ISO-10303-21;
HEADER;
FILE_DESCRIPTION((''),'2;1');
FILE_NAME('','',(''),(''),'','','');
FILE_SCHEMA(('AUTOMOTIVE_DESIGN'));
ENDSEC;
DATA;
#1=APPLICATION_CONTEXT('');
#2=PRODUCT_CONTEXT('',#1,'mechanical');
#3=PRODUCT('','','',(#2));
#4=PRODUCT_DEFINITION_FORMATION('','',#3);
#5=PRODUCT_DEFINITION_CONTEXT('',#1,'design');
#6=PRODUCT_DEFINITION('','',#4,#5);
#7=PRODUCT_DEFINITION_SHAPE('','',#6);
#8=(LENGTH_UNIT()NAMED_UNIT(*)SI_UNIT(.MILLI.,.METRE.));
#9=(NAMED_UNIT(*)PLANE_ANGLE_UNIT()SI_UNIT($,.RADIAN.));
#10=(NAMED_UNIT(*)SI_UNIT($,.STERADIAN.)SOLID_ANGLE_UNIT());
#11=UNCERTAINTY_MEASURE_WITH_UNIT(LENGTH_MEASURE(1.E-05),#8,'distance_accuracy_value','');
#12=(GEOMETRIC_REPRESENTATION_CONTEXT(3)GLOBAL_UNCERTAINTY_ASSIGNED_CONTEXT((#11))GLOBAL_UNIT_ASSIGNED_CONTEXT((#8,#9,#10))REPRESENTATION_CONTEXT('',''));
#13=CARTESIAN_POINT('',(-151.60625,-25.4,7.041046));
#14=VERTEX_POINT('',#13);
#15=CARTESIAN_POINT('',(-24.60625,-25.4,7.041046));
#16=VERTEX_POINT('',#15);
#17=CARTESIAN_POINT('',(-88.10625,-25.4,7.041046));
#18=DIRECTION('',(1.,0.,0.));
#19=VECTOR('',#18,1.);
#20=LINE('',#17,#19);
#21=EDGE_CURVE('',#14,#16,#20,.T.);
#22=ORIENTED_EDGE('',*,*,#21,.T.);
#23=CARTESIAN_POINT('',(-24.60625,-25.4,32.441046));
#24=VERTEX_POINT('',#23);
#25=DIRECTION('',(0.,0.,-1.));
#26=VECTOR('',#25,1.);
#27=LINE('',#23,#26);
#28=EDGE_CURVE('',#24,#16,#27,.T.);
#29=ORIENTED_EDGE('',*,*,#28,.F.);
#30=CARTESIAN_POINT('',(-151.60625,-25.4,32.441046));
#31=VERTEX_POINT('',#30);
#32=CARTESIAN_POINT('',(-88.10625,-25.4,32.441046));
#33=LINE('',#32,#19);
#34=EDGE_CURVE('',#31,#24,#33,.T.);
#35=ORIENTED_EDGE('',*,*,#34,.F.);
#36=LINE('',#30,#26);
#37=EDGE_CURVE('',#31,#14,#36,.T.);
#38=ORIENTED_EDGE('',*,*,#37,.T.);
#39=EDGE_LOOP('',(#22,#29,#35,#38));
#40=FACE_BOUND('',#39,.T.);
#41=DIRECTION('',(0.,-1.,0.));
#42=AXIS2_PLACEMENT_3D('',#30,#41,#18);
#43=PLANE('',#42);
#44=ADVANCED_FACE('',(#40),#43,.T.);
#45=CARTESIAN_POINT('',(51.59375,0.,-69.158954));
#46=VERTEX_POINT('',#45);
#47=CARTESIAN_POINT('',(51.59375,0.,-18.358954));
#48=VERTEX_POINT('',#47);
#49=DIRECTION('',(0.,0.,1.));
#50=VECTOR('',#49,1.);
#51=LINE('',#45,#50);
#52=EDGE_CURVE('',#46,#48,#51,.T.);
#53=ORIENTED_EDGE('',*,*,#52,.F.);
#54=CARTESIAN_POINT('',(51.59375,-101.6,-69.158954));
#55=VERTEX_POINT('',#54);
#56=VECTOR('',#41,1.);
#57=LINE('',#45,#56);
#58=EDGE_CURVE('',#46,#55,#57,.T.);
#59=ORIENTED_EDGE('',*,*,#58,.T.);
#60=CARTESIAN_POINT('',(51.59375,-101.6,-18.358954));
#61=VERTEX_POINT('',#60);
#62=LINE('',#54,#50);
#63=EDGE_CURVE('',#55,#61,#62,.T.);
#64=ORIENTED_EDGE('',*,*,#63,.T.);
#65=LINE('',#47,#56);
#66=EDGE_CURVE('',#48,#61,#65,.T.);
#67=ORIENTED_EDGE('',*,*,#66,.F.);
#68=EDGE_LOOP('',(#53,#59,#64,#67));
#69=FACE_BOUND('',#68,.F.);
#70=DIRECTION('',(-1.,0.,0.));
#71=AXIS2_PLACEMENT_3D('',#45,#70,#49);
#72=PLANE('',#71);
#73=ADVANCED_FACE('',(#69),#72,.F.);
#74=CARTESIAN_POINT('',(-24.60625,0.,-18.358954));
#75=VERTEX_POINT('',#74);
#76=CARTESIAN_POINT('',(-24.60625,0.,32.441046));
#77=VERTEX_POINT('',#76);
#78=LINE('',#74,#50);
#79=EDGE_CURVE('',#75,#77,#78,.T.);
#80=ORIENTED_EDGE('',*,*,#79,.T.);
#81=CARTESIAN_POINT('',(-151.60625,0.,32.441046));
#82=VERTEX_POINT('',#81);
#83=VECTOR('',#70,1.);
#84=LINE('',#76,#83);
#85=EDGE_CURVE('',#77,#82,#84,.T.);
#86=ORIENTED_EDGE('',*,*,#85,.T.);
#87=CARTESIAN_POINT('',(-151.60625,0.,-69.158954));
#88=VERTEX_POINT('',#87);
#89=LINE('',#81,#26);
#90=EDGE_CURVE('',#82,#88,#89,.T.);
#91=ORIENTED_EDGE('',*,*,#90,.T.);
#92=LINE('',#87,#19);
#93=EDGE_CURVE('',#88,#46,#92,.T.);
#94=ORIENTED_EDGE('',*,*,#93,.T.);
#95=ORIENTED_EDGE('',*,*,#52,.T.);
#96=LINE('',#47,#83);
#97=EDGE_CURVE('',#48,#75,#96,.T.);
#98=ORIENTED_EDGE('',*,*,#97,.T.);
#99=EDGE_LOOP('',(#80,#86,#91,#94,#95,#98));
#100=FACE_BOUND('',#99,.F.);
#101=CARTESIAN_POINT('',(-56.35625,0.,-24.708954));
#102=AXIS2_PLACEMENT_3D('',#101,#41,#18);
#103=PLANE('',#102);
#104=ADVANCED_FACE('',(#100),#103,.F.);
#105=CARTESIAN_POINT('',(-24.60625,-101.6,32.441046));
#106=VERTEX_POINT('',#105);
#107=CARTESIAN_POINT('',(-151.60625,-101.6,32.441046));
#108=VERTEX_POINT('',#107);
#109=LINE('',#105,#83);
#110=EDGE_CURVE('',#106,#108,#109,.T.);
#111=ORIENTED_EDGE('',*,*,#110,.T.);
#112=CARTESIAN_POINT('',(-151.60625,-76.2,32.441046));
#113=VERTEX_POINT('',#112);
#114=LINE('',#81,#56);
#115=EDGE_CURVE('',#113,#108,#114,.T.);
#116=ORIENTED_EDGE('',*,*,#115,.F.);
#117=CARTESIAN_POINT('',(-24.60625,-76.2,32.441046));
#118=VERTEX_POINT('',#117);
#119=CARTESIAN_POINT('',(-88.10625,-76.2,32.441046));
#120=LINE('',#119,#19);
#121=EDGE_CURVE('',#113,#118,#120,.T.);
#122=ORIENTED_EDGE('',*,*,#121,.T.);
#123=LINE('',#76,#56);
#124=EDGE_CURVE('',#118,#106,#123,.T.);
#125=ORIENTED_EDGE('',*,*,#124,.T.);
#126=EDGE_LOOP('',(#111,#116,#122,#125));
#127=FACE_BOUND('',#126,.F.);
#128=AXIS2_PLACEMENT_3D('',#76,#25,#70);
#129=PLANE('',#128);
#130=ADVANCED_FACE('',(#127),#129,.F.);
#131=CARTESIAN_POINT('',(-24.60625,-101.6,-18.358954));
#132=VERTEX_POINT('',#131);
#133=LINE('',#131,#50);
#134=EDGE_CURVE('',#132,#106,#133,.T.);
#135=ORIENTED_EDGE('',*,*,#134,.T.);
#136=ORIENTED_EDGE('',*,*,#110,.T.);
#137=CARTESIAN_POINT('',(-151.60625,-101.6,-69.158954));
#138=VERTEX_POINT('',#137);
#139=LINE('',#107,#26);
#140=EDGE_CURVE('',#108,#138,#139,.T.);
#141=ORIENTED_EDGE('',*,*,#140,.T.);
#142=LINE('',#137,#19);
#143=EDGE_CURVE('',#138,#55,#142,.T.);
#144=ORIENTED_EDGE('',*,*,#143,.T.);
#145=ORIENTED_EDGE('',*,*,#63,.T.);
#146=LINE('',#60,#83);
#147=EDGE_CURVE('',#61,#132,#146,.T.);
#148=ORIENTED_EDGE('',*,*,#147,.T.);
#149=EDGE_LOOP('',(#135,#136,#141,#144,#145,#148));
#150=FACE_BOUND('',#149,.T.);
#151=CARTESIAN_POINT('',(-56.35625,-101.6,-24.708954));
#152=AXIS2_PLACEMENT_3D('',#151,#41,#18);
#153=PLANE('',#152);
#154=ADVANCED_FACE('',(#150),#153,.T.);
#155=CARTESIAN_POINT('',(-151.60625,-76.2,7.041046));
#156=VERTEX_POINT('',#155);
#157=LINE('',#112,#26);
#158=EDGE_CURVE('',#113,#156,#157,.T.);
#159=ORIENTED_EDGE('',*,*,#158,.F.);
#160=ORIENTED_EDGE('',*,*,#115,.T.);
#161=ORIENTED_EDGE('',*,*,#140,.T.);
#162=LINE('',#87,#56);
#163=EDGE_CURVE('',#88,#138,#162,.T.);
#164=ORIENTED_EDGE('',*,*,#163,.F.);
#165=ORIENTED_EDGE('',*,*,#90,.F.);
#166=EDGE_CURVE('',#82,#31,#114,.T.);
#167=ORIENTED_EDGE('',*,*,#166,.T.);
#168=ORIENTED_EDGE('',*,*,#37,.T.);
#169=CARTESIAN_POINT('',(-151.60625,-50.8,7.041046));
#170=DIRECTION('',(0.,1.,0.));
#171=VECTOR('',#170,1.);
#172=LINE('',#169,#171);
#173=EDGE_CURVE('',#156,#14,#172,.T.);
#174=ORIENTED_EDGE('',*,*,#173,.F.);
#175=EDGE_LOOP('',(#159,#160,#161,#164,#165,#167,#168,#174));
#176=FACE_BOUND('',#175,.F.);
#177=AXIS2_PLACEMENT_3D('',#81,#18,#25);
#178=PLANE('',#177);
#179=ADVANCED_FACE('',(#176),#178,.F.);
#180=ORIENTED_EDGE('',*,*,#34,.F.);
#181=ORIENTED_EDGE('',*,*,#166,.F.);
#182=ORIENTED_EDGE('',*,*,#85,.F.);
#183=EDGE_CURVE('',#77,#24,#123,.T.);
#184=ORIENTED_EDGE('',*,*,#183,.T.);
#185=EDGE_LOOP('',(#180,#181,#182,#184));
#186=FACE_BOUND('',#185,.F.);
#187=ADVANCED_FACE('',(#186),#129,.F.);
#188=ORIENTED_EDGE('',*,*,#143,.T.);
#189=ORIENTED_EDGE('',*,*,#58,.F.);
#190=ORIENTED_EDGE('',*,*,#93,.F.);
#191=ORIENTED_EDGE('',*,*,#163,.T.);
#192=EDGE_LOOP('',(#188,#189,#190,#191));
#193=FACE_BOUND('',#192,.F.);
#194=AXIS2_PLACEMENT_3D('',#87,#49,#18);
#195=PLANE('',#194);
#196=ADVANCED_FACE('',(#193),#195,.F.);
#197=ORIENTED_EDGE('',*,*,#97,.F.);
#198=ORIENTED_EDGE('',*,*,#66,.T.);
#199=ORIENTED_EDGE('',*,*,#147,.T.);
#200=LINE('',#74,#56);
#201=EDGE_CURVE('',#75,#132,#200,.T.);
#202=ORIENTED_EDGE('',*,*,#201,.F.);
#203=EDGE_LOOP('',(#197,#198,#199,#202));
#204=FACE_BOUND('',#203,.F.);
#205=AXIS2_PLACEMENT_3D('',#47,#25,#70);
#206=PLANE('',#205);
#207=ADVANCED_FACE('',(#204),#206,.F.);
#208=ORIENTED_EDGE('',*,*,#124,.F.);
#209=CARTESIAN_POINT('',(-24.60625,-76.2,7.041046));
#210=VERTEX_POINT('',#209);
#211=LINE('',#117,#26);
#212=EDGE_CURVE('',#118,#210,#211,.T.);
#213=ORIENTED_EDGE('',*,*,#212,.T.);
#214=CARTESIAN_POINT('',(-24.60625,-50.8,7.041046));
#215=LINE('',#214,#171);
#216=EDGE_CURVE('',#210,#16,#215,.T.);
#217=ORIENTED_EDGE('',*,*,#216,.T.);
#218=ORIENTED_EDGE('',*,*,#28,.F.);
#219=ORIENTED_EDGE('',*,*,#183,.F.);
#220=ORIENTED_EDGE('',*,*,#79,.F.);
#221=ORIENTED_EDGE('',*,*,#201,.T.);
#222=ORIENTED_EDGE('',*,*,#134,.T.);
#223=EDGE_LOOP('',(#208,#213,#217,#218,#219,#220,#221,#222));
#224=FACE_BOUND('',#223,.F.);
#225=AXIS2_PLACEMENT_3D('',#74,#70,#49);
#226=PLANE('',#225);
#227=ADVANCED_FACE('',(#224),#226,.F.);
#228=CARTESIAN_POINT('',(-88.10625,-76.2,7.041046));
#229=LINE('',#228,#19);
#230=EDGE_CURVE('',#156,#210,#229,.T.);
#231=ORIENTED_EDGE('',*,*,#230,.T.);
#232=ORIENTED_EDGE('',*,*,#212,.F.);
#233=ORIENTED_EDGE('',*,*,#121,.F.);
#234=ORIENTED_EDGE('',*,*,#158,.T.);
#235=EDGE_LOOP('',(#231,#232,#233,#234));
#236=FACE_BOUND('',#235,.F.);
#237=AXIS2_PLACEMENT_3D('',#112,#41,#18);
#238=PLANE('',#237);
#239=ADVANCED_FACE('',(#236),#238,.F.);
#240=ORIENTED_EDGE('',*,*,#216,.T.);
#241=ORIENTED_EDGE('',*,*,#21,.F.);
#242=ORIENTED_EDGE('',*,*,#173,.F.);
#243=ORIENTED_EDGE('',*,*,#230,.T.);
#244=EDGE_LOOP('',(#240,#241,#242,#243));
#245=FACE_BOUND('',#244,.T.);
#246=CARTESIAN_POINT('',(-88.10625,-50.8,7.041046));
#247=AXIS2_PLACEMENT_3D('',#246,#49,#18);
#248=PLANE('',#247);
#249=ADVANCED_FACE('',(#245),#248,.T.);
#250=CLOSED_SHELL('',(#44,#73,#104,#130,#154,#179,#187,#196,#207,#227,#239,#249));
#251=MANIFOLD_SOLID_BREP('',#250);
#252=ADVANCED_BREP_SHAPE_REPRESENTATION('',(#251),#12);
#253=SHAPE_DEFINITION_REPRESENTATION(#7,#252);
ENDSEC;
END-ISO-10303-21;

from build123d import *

# Parameters (mm, degrees)
F1_DEPTH = 101.6
F2_W     = 127
F2_H     = 50.8
F3_DEPTH = 25.4


with BuildPart() as f1:
    # F0 (on Front) → F1 (new body)
    with BuildSketch(Plane.XZ):
        Polygon((-151.60625, 32.441046), (-151.60625, -69.158954), (51.59375, -69.158954), (51.59375, -18.358954), (-24.60625, -18.358954), (-24.60625, 32.441046), align=None)
    extrude(amount=F1_DEPTH)

    # F2 (on face) → F3 (cut)
    with BuildSketch(Plane.XY.offset(32.441046)):
        with Locations((-88.10625, -50.8)):
            Rectangle(F2_W, F2_H)
    extrude(amount=-F3_DEPTH, mode=Mode.SUBTRACT)


solid = f1.part
